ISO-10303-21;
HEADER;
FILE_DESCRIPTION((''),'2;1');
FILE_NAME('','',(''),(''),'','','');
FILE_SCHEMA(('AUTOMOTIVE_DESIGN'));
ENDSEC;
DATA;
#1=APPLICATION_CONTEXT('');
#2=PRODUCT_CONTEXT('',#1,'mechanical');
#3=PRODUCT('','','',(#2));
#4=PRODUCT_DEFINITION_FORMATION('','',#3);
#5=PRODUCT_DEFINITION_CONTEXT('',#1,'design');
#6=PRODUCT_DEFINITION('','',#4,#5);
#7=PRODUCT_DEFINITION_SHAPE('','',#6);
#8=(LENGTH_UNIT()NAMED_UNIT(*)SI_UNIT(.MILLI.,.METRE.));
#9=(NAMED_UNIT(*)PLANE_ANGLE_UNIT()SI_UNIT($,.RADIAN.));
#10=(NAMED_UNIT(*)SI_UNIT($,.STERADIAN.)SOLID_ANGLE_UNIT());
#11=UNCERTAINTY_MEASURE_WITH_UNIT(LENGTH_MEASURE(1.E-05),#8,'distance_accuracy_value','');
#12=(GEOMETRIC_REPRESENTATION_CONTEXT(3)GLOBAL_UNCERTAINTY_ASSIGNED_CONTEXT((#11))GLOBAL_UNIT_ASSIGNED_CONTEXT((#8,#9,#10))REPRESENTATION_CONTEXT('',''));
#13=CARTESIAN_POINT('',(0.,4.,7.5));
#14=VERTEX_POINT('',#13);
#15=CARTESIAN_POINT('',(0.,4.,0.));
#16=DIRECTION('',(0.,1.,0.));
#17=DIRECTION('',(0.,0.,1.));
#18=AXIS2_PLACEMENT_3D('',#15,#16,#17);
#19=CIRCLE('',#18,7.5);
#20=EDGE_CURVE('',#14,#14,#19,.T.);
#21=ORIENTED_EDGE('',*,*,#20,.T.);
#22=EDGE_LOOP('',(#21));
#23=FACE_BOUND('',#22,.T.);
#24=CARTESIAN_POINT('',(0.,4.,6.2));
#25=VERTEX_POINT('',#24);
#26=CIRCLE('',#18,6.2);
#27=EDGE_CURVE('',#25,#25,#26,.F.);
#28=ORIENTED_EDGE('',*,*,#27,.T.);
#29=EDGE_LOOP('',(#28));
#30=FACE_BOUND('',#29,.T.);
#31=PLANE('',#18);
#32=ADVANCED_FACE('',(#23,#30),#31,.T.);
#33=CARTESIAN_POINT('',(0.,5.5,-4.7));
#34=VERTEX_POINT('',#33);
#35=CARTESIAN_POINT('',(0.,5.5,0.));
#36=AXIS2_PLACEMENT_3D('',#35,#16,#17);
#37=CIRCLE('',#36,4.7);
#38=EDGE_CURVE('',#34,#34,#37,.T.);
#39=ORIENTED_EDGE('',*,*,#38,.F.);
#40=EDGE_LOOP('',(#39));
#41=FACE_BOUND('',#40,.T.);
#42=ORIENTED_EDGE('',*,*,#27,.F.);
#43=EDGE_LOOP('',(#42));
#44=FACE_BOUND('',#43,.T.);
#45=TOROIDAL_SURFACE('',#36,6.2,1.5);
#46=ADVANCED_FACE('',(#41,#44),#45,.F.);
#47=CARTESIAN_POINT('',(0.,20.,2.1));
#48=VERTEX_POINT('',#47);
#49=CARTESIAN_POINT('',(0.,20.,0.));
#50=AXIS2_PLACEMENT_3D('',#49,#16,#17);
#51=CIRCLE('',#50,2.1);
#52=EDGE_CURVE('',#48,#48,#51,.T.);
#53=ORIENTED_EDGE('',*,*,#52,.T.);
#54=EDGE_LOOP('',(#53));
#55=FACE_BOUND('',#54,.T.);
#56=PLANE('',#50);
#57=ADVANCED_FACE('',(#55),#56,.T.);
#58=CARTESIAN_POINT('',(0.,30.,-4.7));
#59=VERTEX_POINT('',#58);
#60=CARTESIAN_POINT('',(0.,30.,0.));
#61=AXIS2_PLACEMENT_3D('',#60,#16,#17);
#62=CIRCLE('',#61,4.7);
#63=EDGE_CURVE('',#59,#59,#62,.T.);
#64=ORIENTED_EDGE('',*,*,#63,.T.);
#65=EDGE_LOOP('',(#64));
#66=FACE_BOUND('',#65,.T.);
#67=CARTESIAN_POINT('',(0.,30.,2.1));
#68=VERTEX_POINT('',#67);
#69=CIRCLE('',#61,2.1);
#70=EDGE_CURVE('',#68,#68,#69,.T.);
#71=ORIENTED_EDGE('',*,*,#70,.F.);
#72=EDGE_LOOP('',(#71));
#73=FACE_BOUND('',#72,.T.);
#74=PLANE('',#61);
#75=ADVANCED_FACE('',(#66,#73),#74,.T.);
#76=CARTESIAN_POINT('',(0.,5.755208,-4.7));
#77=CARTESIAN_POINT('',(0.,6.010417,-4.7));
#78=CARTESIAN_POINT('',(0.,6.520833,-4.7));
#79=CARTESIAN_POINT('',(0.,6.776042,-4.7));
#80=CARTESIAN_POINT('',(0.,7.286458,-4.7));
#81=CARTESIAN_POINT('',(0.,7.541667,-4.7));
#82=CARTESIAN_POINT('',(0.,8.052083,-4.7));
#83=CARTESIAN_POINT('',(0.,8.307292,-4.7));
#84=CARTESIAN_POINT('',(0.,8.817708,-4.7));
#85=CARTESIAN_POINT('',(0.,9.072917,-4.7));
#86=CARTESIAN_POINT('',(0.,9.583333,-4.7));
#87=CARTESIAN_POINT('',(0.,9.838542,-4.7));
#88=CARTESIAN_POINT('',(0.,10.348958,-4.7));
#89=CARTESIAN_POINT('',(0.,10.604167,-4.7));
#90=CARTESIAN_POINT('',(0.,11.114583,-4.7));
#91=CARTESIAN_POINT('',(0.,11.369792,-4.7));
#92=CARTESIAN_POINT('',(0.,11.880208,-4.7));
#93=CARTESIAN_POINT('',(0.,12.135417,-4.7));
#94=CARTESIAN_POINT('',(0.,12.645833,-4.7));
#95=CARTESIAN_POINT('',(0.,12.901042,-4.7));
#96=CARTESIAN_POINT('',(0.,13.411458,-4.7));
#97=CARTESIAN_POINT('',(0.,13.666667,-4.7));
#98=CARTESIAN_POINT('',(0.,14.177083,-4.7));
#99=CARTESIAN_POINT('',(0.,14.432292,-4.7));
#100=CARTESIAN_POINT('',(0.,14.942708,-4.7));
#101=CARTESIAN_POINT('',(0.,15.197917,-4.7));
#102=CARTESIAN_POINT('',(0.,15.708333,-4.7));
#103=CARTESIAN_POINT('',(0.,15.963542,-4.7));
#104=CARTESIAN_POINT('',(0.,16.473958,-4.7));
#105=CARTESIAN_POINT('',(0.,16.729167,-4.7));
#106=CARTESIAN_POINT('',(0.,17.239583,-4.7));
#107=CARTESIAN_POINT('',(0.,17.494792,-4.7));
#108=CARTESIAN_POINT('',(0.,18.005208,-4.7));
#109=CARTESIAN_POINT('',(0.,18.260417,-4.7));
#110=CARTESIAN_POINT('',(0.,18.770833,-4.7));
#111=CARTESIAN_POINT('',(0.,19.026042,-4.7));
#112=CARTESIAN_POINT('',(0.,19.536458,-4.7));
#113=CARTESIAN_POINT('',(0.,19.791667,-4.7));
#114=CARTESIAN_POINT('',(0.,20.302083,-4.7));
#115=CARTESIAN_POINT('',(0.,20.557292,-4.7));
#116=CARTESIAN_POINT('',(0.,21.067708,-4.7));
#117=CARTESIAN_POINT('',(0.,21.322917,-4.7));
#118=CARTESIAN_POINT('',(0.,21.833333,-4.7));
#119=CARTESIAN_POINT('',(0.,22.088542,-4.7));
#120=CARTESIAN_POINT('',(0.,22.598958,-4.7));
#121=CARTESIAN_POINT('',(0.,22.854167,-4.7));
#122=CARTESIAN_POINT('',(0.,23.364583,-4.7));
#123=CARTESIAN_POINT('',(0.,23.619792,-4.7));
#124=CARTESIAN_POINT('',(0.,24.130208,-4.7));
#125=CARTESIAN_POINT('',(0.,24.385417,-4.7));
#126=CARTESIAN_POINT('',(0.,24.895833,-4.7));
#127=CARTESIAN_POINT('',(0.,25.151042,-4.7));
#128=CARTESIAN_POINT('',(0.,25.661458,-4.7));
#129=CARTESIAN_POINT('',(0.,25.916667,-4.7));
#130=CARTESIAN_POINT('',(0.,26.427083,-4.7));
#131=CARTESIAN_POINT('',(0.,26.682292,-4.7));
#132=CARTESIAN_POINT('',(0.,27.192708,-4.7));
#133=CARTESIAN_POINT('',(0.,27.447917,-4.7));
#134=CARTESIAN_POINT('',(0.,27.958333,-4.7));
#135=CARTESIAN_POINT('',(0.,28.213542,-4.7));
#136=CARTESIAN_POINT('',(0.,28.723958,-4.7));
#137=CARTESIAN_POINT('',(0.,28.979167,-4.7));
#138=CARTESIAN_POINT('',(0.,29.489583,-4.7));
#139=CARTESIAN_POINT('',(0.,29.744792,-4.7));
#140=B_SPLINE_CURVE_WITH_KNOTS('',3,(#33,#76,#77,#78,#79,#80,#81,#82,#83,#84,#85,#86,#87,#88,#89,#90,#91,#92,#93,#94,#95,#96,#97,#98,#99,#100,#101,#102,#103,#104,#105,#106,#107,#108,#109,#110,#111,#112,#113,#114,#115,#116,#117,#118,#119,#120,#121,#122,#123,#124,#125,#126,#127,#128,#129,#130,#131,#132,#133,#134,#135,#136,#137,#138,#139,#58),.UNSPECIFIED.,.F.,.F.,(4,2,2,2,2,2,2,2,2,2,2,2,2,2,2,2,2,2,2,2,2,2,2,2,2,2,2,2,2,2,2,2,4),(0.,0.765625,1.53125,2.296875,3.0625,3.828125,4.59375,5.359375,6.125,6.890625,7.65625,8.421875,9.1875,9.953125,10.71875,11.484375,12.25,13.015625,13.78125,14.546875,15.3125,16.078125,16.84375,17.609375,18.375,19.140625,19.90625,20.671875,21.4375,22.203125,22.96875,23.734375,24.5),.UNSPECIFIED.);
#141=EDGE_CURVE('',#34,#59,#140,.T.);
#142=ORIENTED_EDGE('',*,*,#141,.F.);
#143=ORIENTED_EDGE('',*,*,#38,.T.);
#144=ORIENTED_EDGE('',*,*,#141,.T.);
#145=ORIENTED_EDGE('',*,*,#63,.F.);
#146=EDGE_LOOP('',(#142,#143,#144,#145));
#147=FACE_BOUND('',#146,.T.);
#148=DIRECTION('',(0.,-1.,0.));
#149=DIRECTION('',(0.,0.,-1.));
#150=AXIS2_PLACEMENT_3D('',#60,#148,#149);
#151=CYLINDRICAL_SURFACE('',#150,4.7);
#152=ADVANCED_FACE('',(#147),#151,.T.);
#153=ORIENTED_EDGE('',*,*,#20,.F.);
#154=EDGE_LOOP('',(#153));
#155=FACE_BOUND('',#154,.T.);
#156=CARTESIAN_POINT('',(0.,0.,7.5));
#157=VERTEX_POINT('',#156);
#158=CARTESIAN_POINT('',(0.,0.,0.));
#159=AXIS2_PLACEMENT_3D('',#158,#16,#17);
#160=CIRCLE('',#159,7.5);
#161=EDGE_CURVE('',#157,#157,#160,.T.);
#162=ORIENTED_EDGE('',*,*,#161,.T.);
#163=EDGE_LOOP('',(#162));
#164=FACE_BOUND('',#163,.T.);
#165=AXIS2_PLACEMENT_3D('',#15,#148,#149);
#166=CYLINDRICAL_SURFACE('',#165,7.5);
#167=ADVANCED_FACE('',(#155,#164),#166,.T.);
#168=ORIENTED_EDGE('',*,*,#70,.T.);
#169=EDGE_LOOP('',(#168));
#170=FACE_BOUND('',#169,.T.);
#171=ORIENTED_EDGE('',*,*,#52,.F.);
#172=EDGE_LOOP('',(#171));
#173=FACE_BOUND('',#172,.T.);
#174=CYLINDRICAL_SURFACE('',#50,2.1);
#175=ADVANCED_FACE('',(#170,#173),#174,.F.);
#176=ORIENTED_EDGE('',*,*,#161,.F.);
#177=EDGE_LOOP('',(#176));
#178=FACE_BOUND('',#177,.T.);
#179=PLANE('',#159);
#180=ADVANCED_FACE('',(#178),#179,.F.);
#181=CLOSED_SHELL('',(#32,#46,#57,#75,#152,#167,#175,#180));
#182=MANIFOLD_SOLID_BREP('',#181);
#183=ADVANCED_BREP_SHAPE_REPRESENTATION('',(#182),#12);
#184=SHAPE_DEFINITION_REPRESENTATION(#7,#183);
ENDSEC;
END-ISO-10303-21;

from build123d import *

# Parameters (mm, degrees)
SKETCH1_R           = 7.5
SKETCH1_R_2         = 4.7
SKETCH1_R_3         = 2.1
BOSS_EXTRUDE1_DEPTH = 4
BOSS_EXTRUDE2_START = 4
SKETCH1_3_R         = 4.7
SKETCH1_3_R_2       = 2.1
BOSS_EXTRUDE2_DEPTH = 26
CUT_EXTRUDE1_START  = 30
SKETCH1_4_R         = 2.1
CUT_EXTRUDE1_DEPTH  = 10
FILLET1_R           = 1.5


with BuildPart() as part:
    # Sketch1 → Boss-Extrude1 (new body)
    with BuildSketch(Plane(origin=(0, 0, 0), x_dir=(1, 0, 0), z_dir=(0, 1, 0))):
        with Locations(Location((0, 0, 0), (0, 0, 270))):
            Circle(SKETCH1_R)
        Circle(SKETCH1_R_2, mode=Mode.SUBTRACT)
        Circle(SKETCH1_R_2)
        Circle(SKETCH1_R_3, mode=Mode.SUBTRACT)
        Circle(SKETCH1_R_3)
    extrude(amount=BOSS_EXTRUDE1_DEPTH)

    # Sketch1<3> → Boss-Extrude2 (add)
    with BuildSketch(Plane(origin=(0, 0, 0), x_dir=(1, 0, 0), z_dir=(0, 1, 0)).offset(BOSS_EXTRUDE2_START)):
        with Locations(Location((0, 0, 0), (0, 0, 90))):
            Circle(SKETCH1_3_R)
        Circle(SKETCH1_3_R_2, mode=Mode.SUBTRACT)
        Circle(SKETCH1_3_R_2)
    extrude(amount=BOSS_EXTRUDE2_DEPTH)

    # Sketch1<4> → Cut-Extrude1 (cut)
    with BuildSketch(Plane(origin=(0, 0, 0), x_dir=(1, 0, 0), z_dir=(0, 1, 0)).offset(CUT_EXTRUDE1_START)):
        with Locations(Location((0, 0, 0), (0, 0, 270))):
            Circle(SKETCH1_4_R)
    extrude(amount=-CUT_EXTRUDE1_DEPTH, mode=Mode.SUBTRACT)

    # Fillet1
    fillet1_edges = [part.edges().sort_by_distance(p)[0] for p in [
        (0, 4, 4.7),
    ]]
    fillet(fillet1_edges, radius=FILLET1_R)


solid = part.part
